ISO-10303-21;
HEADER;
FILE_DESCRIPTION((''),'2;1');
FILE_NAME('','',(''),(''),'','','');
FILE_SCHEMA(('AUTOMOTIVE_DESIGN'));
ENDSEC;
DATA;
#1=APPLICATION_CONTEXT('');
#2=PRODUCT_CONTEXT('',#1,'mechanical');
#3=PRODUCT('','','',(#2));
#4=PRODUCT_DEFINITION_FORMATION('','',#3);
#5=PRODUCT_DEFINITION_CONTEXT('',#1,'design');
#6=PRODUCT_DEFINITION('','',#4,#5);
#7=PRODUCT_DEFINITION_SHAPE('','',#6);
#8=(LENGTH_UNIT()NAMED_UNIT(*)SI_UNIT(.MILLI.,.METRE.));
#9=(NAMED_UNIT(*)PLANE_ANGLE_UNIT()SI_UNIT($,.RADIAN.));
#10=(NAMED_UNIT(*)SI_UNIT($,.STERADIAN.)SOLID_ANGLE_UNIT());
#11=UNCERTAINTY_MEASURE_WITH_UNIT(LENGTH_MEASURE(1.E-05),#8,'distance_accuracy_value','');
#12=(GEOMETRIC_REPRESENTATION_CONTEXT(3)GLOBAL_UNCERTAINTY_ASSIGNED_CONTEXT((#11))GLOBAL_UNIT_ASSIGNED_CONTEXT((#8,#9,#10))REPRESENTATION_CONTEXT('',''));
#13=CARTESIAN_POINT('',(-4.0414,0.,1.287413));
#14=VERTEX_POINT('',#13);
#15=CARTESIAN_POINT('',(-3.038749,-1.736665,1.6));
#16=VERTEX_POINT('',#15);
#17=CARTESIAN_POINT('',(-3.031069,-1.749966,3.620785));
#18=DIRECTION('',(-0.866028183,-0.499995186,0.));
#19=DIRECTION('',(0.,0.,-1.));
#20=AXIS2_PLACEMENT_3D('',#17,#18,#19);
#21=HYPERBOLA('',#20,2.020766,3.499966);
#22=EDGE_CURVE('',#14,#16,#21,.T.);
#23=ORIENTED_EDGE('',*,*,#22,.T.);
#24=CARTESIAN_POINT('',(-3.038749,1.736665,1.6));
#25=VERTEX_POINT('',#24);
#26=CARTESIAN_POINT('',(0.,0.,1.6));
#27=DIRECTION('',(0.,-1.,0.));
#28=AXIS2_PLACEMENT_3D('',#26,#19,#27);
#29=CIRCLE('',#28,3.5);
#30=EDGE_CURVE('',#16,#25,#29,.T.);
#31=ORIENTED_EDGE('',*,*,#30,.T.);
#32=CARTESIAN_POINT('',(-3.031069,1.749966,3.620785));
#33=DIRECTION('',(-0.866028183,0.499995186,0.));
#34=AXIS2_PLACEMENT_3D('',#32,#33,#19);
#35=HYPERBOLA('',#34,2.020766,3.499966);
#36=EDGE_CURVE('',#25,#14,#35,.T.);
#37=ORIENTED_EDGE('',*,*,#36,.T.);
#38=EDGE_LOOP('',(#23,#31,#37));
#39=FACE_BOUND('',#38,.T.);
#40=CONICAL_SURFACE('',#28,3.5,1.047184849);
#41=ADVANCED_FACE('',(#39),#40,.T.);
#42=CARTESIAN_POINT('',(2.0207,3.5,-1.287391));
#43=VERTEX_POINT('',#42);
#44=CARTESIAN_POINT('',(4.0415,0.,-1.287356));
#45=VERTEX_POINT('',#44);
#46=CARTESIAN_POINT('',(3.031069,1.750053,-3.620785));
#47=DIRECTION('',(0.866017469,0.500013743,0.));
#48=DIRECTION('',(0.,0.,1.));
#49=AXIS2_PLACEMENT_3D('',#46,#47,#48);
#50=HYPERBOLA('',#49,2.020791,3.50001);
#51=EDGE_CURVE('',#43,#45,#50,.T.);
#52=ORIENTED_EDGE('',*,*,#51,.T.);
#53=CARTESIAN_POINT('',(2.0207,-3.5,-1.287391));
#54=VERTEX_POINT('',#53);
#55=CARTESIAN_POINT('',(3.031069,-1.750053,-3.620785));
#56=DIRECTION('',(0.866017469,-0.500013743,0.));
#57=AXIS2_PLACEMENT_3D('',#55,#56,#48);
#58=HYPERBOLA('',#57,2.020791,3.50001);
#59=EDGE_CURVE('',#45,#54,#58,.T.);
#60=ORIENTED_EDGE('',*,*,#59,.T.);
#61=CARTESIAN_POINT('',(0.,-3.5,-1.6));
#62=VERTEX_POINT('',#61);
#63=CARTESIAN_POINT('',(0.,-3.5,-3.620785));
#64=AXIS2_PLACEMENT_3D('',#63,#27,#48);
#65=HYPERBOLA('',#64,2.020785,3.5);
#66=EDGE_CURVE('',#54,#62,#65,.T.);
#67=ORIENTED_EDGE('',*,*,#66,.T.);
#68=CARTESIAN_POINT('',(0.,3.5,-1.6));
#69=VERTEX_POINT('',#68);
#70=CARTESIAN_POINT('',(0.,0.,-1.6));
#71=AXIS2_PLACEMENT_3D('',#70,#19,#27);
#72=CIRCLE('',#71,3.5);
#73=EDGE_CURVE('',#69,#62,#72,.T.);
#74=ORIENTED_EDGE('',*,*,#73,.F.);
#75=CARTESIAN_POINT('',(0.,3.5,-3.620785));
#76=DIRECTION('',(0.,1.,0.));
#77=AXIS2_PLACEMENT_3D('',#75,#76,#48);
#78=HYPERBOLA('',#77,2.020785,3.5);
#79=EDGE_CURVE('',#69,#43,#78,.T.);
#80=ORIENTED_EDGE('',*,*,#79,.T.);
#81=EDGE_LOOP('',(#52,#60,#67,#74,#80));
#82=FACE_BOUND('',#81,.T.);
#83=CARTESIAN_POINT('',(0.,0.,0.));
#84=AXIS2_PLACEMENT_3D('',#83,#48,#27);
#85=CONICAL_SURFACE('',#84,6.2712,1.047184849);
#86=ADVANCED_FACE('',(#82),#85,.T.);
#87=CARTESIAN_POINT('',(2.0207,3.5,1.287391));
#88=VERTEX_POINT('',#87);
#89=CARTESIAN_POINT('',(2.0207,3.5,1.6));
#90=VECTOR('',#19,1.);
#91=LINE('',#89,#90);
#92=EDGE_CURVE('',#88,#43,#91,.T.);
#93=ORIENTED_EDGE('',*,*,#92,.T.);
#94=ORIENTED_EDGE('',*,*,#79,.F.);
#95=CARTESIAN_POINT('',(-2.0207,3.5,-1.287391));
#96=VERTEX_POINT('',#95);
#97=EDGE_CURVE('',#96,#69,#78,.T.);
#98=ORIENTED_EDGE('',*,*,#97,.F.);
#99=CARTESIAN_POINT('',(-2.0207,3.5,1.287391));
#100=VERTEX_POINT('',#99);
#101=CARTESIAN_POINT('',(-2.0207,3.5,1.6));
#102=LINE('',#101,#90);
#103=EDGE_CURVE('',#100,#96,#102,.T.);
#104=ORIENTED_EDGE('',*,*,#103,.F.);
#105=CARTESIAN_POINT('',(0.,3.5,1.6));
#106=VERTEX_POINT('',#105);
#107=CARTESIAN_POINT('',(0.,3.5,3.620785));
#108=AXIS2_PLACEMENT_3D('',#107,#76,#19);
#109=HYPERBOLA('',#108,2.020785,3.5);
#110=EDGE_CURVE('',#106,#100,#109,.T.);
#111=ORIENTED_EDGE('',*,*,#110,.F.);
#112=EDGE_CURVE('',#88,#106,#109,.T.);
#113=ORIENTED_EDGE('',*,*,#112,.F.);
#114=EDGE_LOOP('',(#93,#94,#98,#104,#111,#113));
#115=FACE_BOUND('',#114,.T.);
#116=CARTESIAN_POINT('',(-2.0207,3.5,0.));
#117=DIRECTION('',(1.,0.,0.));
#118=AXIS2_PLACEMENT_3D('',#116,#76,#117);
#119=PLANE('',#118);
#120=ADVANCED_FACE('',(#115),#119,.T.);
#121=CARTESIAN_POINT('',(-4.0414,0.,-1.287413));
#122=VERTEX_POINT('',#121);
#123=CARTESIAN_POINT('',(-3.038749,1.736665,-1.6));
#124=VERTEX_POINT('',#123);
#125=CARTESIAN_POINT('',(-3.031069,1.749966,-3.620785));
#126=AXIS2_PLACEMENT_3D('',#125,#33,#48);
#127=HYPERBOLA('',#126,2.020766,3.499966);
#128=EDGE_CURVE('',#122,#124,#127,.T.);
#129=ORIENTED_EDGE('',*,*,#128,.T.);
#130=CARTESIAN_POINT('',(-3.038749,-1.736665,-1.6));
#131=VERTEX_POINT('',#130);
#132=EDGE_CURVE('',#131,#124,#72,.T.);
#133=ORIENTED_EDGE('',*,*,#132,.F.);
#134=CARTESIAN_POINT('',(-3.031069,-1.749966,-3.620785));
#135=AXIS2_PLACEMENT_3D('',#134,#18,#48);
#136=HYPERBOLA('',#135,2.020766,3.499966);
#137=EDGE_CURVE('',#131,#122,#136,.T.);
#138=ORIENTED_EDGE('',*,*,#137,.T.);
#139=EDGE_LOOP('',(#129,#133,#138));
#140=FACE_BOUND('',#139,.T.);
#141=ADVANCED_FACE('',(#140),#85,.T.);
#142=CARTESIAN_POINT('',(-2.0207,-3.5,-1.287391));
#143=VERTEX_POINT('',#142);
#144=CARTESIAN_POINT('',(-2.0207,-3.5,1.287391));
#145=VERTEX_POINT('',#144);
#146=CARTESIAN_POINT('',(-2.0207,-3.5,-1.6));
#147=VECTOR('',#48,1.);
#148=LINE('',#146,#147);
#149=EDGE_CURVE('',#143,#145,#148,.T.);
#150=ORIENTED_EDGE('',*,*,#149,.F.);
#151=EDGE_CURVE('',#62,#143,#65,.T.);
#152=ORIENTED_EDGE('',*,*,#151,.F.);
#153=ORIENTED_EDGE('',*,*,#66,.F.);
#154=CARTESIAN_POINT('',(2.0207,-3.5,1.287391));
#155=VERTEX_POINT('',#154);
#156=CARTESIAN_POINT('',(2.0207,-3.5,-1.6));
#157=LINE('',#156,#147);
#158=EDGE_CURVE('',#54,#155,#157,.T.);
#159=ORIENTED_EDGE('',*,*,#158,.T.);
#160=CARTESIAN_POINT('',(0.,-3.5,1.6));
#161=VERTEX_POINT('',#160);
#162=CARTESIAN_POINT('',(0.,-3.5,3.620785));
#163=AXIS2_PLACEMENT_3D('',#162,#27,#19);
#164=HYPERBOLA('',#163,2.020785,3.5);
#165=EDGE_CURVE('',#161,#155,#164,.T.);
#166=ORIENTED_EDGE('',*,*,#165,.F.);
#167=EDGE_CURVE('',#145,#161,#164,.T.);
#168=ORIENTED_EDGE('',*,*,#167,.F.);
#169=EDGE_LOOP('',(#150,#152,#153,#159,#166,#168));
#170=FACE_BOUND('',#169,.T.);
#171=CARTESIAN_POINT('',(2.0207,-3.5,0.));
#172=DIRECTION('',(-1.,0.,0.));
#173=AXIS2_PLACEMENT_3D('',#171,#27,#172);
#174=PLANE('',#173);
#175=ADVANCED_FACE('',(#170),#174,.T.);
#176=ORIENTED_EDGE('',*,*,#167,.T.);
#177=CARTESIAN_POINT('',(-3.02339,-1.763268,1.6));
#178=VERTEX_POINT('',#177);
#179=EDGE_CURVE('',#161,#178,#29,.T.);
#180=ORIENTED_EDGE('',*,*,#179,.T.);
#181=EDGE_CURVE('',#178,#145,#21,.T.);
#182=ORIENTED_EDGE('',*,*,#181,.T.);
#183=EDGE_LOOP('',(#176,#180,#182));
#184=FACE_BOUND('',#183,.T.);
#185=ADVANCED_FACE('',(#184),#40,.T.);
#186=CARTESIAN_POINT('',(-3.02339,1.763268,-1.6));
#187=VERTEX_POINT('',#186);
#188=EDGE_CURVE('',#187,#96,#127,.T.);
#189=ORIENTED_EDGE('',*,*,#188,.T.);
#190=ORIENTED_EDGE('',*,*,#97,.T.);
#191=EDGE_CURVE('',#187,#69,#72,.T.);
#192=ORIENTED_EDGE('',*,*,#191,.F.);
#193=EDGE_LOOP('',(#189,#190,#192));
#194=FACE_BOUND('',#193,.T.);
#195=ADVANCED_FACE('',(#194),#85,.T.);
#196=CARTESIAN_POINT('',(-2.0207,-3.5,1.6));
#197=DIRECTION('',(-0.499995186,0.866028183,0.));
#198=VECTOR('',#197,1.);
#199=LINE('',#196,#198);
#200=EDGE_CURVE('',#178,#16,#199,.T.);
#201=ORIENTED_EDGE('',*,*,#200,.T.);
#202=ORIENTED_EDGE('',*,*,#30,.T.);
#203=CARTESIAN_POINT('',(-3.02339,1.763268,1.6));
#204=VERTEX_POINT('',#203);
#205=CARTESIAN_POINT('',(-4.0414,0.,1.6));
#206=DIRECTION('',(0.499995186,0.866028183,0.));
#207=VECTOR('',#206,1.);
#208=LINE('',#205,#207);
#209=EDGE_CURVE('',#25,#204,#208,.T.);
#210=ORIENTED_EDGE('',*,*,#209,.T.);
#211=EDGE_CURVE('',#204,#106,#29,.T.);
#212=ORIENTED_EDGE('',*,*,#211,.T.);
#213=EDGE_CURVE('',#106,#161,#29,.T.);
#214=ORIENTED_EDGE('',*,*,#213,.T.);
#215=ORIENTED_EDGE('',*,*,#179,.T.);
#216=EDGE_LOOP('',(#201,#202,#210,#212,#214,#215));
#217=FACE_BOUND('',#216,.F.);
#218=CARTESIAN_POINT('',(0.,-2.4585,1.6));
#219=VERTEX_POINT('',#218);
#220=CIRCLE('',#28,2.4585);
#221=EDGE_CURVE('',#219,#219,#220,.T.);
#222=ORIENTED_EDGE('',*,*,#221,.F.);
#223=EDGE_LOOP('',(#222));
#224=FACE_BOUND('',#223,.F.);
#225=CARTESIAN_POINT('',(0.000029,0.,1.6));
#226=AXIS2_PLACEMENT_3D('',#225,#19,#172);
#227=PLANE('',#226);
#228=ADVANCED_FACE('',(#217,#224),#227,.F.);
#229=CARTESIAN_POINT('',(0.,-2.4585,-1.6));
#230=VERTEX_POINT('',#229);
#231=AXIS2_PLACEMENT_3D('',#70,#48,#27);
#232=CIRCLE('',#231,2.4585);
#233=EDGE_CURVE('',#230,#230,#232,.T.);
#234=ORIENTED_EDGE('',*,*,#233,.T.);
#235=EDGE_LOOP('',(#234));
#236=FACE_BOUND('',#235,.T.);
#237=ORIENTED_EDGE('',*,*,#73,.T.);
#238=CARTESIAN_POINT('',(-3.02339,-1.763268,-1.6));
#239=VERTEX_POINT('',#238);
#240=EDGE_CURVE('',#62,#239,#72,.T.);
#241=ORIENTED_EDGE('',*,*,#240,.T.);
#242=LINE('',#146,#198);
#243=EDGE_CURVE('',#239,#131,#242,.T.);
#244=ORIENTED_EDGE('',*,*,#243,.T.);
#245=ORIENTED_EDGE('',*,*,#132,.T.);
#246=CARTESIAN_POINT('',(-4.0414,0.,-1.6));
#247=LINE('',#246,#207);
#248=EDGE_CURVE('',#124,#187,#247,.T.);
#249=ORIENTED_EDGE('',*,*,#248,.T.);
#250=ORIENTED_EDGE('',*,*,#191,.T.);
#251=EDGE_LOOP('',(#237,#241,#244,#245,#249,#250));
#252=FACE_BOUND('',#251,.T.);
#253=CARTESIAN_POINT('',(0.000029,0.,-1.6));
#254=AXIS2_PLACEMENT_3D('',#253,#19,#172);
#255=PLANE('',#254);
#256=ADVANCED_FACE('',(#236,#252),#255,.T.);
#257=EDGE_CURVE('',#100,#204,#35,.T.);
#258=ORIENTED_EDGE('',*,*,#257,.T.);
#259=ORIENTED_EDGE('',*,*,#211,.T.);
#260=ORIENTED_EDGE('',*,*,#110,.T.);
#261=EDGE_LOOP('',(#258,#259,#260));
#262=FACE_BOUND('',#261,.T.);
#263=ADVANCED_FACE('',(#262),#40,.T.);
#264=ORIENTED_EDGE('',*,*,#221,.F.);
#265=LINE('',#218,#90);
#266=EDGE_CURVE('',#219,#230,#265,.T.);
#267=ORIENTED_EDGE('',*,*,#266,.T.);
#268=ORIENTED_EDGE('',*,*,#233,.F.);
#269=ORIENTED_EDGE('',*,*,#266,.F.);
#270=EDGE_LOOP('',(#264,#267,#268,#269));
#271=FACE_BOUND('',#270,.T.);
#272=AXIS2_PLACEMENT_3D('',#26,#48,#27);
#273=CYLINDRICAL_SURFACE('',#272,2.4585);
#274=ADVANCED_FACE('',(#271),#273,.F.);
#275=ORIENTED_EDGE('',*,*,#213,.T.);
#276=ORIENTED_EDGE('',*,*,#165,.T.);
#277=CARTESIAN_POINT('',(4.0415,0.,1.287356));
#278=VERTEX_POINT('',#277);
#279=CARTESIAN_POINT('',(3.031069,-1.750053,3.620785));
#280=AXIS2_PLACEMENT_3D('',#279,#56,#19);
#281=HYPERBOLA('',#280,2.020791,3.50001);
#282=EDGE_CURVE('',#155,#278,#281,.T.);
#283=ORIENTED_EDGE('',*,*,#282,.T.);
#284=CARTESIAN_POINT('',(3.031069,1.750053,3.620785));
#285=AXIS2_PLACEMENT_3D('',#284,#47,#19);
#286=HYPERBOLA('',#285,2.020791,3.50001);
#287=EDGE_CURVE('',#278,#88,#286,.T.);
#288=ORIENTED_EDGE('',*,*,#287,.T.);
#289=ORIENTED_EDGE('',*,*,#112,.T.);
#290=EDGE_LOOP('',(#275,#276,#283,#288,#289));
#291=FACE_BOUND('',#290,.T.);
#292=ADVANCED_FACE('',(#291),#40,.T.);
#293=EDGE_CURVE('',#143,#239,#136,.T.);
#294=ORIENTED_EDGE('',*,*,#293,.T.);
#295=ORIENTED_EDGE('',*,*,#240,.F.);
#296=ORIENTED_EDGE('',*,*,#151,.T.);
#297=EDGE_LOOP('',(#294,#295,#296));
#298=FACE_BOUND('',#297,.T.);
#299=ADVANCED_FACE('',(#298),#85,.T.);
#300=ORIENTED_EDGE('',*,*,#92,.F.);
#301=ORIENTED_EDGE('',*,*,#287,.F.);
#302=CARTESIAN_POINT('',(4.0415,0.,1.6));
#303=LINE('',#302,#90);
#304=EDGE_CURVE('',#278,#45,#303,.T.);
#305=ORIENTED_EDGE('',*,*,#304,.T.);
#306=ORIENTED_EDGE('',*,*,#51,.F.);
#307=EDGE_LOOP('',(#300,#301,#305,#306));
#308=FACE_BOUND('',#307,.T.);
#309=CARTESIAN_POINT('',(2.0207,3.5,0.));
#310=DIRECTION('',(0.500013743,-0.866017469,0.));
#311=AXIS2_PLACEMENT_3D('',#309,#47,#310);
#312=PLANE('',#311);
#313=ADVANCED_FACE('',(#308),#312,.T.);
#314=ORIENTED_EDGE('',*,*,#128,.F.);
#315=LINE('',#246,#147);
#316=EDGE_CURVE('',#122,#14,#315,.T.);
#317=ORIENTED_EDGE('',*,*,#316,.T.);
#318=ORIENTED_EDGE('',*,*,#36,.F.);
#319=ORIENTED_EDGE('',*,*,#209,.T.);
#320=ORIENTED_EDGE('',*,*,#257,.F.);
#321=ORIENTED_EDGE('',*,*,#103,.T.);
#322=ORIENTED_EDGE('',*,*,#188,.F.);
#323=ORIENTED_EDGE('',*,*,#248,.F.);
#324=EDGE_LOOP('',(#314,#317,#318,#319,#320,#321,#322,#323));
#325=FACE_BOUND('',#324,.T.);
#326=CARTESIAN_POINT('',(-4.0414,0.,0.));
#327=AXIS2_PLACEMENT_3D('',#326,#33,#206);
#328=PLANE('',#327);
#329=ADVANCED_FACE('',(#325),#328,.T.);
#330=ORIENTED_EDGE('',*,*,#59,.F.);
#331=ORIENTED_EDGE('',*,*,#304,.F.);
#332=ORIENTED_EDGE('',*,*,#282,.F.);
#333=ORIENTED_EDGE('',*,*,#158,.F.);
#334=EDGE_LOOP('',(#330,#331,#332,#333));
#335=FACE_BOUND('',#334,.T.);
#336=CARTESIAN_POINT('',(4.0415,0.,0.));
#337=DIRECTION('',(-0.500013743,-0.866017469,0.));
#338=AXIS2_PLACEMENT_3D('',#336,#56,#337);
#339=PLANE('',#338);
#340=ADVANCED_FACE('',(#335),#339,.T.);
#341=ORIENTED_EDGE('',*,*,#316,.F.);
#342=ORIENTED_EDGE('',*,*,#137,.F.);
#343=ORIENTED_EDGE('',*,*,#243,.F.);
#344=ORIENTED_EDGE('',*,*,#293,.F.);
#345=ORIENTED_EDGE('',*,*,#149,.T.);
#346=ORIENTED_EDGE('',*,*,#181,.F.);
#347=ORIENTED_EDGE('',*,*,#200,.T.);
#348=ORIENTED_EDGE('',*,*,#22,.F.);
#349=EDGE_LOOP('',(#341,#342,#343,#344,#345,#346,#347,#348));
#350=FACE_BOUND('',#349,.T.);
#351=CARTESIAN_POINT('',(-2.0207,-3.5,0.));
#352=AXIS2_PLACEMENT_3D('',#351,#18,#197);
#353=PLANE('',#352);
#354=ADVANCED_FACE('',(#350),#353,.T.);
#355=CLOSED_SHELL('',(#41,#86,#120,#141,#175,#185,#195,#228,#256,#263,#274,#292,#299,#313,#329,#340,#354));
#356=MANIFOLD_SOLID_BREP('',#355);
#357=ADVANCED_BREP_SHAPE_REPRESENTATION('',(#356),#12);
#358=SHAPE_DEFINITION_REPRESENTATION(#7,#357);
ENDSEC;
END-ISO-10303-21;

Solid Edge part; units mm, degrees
sketch "Sketch1" plane through (10.8674, 10.8674, 0) normal (0, 0, 1) x (1, 0, 0)
  line L0 (-14.9088, -10.8674) -> (-12.8881, -7.3674)
  line L1 (-12.8881, -7.3674) -> (-8.8467, -7.3674)
  line L2 (-8.8467, -7.3674) -> (-6.8259, -10.8674)
  line L3 (-6.8259, -10.8674) -> (-8.8467, -14.3674)
  line L4 (-8.8467, -14.3674) -> (-12.8881, -14.3674)
  line L5 (-12.8881, -14.3674) -> (-14.9088, -10.8674)
  dimension "D1" = 7
extrude "Protrusion1" add sketch "Sketch1" along normal mid plane 3.2
sketch "Sketch2" plane through (0, 8.3963, 8.3963) normal (1, 0, 0) x (0, 1, 0)
  line L0 (-11.8963, -6.7963) -> (-14.6675, -8.3963)
  line L1 (-14.6675, -8.3963) -> (-11.8963, -9.9963)
revolve "RevolvedCutout1" cut sketch "Sketch2" angle 360 about axis through (0, 0, 1.6) along (0, 0, -1) material side at (0, -4.9106, 0.8433)
hole "Hål_M6" at (0, 0, 1.6) direction (0, 0, -1) diameter 4.917 end up to next
properties material "Iron"
